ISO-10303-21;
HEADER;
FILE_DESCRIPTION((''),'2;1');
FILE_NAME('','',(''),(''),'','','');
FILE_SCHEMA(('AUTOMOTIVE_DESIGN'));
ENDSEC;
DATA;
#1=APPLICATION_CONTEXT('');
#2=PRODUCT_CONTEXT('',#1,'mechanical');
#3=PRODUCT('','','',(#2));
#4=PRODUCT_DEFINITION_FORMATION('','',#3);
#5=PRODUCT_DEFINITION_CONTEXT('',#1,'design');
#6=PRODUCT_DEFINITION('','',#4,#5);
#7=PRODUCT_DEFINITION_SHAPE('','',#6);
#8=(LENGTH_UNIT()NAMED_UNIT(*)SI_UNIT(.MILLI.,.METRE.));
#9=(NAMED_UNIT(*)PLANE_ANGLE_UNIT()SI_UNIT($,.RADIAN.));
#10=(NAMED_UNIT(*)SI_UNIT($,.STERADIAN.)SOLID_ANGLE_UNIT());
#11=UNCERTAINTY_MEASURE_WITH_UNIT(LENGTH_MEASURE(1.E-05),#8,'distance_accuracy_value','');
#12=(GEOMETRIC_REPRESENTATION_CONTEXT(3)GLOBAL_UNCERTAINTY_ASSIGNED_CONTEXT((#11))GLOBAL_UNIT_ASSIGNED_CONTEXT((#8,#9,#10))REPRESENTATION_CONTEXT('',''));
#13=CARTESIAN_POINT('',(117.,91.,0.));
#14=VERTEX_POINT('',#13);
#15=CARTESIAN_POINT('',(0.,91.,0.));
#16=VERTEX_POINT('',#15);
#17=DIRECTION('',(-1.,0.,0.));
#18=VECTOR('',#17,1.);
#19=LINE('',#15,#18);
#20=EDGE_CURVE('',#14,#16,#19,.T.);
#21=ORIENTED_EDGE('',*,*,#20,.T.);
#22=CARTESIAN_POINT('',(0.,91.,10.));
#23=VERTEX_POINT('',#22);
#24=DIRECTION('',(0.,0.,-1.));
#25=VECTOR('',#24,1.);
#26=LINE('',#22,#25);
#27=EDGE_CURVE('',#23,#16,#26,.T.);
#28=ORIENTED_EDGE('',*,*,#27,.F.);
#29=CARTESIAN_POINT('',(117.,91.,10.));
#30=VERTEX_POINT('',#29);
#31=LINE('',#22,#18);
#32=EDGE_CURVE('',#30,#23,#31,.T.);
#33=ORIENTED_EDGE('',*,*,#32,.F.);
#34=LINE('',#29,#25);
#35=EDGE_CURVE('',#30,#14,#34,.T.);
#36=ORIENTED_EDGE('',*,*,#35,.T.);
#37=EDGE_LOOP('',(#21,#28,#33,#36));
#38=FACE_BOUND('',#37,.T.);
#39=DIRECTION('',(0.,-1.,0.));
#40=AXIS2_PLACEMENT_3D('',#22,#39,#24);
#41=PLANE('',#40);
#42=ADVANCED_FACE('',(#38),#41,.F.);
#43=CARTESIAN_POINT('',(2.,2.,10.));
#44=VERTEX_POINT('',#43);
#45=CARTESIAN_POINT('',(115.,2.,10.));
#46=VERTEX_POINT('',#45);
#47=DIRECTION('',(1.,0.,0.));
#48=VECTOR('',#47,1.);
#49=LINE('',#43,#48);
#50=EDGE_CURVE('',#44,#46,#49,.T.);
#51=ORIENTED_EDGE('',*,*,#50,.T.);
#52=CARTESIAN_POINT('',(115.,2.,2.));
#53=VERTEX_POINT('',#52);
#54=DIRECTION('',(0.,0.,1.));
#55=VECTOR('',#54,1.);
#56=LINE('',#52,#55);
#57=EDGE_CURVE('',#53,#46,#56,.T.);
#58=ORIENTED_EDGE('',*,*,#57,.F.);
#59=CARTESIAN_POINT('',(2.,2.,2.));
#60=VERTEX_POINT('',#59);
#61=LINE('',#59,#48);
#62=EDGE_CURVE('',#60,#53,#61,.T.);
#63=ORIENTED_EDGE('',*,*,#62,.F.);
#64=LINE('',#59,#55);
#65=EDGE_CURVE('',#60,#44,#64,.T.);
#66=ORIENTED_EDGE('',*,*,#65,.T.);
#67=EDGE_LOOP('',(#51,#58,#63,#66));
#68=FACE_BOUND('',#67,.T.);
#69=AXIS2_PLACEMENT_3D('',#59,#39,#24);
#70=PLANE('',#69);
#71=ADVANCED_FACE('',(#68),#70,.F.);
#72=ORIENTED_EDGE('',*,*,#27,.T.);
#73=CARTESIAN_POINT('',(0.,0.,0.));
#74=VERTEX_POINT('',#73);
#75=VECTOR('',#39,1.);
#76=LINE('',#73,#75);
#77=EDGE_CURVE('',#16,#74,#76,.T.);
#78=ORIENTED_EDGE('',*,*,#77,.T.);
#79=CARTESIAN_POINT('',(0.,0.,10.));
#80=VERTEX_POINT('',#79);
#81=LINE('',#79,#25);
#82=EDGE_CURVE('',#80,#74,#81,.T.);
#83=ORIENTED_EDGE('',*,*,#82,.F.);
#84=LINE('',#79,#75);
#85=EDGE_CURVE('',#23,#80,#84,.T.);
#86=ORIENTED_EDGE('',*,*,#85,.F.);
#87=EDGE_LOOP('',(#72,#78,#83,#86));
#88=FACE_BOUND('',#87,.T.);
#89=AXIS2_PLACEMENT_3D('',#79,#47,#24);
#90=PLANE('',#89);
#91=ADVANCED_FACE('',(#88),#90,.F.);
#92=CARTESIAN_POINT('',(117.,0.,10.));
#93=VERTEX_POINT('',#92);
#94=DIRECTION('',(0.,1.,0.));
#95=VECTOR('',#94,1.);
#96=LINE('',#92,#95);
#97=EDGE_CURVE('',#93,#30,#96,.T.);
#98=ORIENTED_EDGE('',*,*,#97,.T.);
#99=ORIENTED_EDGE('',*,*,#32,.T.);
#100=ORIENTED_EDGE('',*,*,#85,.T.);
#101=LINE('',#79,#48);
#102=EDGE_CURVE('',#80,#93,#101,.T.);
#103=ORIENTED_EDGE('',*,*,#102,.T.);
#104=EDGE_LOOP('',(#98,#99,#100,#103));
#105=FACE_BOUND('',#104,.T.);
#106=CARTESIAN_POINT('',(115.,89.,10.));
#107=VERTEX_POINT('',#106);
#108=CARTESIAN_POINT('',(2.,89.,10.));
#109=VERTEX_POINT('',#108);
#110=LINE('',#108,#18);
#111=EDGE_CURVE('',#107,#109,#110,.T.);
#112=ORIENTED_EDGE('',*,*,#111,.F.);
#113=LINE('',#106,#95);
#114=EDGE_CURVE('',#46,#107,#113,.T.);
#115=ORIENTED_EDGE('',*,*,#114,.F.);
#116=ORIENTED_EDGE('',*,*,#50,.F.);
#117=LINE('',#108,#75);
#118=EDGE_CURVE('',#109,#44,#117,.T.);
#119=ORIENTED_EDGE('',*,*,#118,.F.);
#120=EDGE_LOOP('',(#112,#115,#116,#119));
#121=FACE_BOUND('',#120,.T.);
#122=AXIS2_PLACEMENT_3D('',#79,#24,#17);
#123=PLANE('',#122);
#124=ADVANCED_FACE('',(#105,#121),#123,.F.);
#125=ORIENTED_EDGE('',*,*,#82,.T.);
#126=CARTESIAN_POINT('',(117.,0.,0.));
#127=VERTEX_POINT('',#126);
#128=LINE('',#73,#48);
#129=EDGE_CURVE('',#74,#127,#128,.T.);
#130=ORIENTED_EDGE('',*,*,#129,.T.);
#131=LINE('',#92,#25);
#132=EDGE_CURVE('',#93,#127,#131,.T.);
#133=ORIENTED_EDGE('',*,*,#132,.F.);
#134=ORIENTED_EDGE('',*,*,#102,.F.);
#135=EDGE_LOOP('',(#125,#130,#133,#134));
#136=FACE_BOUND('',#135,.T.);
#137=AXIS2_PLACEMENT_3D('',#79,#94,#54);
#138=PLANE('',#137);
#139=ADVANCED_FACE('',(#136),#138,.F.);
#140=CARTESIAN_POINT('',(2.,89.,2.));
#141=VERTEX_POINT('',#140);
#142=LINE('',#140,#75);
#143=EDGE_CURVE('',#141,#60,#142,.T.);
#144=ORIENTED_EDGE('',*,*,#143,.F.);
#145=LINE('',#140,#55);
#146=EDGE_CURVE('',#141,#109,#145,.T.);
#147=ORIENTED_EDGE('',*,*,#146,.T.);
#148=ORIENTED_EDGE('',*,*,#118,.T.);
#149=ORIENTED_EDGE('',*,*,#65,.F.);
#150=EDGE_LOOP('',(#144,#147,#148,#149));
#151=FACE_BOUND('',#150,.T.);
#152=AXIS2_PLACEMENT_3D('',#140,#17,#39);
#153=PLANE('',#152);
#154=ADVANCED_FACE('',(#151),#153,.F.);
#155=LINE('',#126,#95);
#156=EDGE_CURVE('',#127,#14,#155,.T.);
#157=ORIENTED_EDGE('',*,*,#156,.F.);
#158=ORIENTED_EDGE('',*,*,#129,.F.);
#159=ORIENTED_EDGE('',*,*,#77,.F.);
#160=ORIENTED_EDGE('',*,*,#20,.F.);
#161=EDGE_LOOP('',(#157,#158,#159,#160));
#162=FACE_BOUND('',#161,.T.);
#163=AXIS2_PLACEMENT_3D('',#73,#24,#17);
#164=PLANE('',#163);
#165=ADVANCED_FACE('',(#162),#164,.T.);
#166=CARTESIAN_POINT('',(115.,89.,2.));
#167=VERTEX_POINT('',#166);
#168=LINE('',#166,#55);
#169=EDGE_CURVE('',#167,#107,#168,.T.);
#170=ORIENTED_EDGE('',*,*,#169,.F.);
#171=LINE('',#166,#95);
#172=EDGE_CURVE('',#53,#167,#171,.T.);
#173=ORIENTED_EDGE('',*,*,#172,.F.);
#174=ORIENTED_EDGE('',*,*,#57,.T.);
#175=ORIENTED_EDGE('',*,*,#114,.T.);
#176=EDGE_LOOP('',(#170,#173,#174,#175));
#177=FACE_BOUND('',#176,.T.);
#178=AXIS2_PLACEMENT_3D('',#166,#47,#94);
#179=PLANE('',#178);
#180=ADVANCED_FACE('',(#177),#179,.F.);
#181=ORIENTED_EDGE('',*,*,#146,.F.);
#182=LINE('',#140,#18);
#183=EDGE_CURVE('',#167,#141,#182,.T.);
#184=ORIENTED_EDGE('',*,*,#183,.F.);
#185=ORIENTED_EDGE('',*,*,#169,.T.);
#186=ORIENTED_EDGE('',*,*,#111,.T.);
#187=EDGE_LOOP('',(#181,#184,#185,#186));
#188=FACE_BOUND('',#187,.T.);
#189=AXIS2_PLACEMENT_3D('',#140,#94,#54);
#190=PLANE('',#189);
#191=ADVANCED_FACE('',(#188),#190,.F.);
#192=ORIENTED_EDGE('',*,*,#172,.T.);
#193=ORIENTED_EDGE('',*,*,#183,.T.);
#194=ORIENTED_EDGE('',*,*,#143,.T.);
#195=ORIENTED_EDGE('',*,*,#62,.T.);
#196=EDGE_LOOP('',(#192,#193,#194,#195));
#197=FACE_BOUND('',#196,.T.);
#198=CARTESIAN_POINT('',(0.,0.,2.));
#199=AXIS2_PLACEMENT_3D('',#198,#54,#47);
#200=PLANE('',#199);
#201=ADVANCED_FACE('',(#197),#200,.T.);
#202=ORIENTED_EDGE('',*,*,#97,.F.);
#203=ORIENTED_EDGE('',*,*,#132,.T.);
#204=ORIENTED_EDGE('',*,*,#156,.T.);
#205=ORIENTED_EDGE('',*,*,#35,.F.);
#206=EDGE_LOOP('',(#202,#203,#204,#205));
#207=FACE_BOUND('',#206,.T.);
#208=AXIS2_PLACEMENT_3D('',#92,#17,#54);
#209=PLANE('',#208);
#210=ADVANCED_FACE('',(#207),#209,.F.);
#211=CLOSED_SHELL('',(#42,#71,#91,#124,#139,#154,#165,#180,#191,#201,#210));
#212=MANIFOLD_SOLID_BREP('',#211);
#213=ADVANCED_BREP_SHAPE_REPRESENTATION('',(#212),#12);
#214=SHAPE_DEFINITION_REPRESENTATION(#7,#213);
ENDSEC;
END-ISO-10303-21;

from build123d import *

# Parameters (mm, degrees)
ESQUISSE1_W             = 117
ESQUISSE1_H             = 91
BOSS_EXTRU_1_DEPTH      = 10
ESQUISSE4_W             = 113
ESQUISSE4_H             = 87
ENL_V_MAT_EXTRU_1_DEPTH = 8


with BuildPart() as part:
    # Esquisse1 → Boss.-Extru.1 (new body)
    with BuildSketch(Plane.XY):
        with Locations((58.5, 45.5)):
            Rectangle(ESQUISSE1_W, ESQUISSE1_H)
    extrude(amount=BOSS_EXTRU_1_DEPTH)

    # Esquisse4 → Enlèv. mat.-Extru.1 (cut)
    with BuildSketch(Plane.XY.offset(10)):
        with Locations((58.5, 45.5)):
            Rectangle(ESQUISSE4_W, ESQUISSE4_H)
    extrude(amount=-ENL_V_MAT_EXTRU_1_DEPTH, mode=Mode.SUBTRACT)


solid = part.part
